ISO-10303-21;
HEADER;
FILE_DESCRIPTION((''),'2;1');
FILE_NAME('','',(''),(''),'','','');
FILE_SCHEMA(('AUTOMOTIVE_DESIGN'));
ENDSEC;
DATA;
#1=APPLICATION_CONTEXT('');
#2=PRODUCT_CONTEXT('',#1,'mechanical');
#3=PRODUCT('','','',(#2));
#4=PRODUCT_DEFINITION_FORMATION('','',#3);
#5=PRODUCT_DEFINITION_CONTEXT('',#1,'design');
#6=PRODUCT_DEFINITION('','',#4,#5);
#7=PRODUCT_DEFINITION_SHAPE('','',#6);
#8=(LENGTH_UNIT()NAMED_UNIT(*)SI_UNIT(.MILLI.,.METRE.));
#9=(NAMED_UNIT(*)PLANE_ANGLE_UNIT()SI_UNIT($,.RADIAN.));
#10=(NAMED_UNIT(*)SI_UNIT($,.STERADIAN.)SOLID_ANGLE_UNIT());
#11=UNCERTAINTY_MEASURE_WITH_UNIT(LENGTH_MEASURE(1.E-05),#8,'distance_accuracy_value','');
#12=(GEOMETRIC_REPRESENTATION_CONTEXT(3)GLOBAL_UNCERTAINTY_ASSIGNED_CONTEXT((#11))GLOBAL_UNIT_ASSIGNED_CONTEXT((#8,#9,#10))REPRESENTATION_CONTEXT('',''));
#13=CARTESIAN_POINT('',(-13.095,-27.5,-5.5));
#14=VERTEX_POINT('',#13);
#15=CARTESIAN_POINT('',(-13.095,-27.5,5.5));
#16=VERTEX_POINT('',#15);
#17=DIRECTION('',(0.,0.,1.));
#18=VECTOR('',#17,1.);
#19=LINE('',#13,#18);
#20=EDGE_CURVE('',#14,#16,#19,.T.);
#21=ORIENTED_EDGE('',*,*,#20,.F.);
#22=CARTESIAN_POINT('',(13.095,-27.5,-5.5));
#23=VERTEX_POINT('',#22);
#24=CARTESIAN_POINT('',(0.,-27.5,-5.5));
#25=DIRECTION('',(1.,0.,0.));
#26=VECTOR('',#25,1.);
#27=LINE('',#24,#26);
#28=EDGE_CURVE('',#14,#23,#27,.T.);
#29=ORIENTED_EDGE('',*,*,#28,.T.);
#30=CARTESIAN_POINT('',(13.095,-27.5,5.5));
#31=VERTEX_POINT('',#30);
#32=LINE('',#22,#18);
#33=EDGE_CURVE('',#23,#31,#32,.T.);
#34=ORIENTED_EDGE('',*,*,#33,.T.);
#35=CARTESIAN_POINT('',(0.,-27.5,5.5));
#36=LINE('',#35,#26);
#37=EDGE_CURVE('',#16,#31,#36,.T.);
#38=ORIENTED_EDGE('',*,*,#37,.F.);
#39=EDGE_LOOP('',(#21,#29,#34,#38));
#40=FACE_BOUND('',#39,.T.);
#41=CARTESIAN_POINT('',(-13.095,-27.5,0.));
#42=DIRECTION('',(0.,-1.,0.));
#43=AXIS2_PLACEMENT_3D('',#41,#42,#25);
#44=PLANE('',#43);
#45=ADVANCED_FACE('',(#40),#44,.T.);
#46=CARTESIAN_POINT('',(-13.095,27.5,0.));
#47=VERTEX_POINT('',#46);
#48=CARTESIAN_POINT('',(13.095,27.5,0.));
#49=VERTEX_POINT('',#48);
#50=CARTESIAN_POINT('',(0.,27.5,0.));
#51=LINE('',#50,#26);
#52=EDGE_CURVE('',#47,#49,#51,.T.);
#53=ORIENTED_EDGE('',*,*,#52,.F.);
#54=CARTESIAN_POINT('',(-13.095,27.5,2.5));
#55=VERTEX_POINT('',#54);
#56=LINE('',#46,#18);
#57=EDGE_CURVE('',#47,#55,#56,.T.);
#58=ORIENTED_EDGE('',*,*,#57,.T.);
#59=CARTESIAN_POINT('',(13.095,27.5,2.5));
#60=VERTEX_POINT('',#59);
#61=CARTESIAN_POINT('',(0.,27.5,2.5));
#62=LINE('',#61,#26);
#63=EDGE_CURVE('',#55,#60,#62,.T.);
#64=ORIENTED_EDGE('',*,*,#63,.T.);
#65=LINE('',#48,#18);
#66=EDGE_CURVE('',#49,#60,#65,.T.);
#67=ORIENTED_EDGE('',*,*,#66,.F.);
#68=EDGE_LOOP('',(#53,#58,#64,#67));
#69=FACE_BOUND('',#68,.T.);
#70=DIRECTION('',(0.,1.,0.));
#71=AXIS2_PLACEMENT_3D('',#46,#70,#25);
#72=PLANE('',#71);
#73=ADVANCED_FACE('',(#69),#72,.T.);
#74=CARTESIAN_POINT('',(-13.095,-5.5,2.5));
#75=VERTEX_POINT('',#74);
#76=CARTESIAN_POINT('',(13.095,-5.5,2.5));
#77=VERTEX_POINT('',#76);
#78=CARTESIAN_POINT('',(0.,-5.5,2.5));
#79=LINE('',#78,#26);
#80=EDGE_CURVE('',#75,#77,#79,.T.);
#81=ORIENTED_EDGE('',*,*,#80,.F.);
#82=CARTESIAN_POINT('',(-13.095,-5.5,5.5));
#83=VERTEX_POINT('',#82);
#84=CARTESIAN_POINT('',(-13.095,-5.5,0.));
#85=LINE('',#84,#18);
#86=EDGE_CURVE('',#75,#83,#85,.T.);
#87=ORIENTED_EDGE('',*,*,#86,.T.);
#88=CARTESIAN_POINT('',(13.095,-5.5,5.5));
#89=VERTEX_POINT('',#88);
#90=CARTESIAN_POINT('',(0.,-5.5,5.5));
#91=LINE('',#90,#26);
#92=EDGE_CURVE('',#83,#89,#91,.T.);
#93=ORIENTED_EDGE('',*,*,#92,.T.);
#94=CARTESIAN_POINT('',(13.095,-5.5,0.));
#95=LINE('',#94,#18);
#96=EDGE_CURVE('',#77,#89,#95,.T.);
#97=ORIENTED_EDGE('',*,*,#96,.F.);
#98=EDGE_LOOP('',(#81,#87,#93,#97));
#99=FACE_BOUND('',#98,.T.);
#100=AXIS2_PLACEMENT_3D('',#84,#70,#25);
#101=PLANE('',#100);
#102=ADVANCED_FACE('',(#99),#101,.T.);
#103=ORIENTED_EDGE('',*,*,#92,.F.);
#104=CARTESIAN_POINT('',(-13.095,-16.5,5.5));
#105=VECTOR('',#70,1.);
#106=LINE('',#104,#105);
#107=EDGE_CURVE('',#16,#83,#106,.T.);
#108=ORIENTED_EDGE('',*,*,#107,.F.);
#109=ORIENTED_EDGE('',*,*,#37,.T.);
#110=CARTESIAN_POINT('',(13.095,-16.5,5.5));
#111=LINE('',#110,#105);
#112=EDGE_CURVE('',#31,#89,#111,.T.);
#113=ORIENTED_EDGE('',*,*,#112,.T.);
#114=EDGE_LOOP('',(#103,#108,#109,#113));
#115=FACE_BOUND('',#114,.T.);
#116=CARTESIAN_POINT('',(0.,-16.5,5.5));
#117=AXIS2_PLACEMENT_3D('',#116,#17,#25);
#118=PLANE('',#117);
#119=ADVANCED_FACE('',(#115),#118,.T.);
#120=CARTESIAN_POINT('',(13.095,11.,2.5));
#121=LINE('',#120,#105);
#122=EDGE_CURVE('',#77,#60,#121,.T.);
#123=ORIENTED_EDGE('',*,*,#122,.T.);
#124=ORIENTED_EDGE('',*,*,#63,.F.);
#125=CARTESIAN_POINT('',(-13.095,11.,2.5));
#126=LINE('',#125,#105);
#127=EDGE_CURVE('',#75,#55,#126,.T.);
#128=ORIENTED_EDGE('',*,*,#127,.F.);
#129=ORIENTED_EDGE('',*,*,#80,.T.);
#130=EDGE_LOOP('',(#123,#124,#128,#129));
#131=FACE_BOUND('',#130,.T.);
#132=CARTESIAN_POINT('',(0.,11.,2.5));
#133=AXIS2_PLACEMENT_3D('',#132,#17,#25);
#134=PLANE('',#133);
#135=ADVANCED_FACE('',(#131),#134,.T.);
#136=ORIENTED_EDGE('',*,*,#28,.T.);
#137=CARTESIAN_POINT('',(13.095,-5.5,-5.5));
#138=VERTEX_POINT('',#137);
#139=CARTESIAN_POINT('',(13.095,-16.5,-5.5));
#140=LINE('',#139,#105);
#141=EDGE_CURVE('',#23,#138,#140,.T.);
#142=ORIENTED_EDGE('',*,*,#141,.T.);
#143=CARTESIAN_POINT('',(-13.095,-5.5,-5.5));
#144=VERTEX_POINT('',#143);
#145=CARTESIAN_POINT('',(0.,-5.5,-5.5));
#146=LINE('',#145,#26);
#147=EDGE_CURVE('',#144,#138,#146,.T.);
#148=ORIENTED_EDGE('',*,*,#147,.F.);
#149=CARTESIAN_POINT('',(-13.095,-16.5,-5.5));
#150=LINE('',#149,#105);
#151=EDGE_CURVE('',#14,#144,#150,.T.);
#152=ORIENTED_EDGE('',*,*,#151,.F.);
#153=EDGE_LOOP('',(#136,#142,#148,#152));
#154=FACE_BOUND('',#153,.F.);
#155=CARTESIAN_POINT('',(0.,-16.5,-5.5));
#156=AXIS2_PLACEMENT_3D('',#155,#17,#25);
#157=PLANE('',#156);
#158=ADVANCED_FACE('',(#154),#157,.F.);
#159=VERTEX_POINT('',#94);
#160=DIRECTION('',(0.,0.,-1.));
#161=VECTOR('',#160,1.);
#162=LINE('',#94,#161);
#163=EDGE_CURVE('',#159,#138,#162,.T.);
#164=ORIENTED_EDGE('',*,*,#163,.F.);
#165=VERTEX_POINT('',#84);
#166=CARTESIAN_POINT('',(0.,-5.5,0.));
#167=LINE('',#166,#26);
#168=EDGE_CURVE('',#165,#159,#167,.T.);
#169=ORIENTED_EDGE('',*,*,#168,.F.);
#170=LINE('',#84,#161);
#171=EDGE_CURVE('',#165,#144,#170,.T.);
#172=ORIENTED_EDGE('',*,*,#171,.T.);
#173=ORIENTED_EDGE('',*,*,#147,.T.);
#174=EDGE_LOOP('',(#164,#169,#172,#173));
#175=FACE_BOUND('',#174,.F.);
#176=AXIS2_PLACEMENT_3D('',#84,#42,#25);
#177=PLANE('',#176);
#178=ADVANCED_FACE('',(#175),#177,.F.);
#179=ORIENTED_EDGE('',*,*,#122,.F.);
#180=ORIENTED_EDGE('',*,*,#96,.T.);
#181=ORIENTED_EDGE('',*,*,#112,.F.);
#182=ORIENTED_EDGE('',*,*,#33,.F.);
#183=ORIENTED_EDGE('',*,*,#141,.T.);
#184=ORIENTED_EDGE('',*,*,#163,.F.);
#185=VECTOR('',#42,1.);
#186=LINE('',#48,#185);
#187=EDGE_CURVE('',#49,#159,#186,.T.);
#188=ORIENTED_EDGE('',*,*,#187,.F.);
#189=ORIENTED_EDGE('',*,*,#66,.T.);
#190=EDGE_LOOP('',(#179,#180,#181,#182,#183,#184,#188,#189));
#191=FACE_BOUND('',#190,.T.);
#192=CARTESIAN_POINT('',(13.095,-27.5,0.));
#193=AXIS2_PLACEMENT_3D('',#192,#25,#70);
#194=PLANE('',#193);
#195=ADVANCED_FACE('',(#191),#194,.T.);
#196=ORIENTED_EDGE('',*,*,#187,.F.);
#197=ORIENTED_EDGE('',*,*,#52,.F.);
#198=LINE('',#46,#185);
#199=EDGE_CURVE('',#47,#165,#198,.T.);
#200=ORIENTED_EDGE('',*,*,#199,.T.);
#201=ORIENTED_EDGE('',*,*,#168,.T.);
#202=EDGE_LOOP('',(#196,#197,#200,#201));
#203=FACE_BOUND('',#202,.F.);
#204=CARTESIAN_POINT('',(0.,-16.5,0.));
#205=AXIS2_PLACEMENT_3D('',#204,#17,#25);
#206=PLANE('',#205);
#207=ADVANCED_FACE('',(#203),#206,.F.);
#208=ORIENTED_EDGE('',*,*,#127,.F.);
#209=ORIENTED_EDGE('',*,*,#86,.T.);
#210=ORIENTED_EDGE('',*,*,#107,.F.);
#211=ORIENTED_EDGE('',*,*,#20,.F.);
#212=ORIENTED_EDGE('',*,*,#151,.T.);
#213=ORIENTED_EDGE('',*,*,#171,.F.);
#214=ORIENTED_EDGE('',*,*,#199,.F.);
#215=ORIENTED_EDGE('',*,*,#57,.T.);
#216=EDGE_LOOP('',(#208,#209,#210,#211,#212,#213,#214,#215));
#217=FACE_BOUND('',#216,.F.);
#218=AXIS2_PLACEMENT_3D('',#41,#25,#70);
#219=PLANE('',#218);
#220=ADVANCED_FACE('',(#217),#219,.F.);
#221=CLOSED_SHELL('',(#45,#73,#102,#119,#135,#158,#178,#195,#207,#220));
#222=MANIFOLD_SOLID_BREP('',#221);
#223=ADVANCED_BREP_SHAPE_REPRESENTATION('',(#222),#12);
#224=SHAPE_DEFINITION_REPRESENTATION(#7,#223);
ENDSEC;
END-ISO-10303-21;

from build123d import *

# Parameters (mm, degrees)
F0_W     = 26.19
F0_H     = 33
F1_DEPTH = 2.5
F0_H_2   = 22
F2_DEPTH = 5.5
F3_DEPTH = 5.5


with BuildPart() as f1:
    # F0 (on Top) → F1 (new body)
    with BuildSketch(Plane.XY):
        with Locations((0, 11)):
            Rectangle(F0_W, F0_H)
    extrude(amount=F1_DEPTH)

    # F0 (on Top) → F2 (join)
    with BuildSketch(Plane.XY):
        with Locations((0, -16.5)):
            Rectangle(F0_W, F0_H_2)
    extrude(amount=F2_DEPTH)

    # F0 (on Top) → F3 (join)
    with BuildSketch(Plane.XY):
        with Locations((0, -16.5)):
            Rectangle(F0_W, F0_H_2)
    extrude(amount=-F3_DEPTH)


solid = f1.part
